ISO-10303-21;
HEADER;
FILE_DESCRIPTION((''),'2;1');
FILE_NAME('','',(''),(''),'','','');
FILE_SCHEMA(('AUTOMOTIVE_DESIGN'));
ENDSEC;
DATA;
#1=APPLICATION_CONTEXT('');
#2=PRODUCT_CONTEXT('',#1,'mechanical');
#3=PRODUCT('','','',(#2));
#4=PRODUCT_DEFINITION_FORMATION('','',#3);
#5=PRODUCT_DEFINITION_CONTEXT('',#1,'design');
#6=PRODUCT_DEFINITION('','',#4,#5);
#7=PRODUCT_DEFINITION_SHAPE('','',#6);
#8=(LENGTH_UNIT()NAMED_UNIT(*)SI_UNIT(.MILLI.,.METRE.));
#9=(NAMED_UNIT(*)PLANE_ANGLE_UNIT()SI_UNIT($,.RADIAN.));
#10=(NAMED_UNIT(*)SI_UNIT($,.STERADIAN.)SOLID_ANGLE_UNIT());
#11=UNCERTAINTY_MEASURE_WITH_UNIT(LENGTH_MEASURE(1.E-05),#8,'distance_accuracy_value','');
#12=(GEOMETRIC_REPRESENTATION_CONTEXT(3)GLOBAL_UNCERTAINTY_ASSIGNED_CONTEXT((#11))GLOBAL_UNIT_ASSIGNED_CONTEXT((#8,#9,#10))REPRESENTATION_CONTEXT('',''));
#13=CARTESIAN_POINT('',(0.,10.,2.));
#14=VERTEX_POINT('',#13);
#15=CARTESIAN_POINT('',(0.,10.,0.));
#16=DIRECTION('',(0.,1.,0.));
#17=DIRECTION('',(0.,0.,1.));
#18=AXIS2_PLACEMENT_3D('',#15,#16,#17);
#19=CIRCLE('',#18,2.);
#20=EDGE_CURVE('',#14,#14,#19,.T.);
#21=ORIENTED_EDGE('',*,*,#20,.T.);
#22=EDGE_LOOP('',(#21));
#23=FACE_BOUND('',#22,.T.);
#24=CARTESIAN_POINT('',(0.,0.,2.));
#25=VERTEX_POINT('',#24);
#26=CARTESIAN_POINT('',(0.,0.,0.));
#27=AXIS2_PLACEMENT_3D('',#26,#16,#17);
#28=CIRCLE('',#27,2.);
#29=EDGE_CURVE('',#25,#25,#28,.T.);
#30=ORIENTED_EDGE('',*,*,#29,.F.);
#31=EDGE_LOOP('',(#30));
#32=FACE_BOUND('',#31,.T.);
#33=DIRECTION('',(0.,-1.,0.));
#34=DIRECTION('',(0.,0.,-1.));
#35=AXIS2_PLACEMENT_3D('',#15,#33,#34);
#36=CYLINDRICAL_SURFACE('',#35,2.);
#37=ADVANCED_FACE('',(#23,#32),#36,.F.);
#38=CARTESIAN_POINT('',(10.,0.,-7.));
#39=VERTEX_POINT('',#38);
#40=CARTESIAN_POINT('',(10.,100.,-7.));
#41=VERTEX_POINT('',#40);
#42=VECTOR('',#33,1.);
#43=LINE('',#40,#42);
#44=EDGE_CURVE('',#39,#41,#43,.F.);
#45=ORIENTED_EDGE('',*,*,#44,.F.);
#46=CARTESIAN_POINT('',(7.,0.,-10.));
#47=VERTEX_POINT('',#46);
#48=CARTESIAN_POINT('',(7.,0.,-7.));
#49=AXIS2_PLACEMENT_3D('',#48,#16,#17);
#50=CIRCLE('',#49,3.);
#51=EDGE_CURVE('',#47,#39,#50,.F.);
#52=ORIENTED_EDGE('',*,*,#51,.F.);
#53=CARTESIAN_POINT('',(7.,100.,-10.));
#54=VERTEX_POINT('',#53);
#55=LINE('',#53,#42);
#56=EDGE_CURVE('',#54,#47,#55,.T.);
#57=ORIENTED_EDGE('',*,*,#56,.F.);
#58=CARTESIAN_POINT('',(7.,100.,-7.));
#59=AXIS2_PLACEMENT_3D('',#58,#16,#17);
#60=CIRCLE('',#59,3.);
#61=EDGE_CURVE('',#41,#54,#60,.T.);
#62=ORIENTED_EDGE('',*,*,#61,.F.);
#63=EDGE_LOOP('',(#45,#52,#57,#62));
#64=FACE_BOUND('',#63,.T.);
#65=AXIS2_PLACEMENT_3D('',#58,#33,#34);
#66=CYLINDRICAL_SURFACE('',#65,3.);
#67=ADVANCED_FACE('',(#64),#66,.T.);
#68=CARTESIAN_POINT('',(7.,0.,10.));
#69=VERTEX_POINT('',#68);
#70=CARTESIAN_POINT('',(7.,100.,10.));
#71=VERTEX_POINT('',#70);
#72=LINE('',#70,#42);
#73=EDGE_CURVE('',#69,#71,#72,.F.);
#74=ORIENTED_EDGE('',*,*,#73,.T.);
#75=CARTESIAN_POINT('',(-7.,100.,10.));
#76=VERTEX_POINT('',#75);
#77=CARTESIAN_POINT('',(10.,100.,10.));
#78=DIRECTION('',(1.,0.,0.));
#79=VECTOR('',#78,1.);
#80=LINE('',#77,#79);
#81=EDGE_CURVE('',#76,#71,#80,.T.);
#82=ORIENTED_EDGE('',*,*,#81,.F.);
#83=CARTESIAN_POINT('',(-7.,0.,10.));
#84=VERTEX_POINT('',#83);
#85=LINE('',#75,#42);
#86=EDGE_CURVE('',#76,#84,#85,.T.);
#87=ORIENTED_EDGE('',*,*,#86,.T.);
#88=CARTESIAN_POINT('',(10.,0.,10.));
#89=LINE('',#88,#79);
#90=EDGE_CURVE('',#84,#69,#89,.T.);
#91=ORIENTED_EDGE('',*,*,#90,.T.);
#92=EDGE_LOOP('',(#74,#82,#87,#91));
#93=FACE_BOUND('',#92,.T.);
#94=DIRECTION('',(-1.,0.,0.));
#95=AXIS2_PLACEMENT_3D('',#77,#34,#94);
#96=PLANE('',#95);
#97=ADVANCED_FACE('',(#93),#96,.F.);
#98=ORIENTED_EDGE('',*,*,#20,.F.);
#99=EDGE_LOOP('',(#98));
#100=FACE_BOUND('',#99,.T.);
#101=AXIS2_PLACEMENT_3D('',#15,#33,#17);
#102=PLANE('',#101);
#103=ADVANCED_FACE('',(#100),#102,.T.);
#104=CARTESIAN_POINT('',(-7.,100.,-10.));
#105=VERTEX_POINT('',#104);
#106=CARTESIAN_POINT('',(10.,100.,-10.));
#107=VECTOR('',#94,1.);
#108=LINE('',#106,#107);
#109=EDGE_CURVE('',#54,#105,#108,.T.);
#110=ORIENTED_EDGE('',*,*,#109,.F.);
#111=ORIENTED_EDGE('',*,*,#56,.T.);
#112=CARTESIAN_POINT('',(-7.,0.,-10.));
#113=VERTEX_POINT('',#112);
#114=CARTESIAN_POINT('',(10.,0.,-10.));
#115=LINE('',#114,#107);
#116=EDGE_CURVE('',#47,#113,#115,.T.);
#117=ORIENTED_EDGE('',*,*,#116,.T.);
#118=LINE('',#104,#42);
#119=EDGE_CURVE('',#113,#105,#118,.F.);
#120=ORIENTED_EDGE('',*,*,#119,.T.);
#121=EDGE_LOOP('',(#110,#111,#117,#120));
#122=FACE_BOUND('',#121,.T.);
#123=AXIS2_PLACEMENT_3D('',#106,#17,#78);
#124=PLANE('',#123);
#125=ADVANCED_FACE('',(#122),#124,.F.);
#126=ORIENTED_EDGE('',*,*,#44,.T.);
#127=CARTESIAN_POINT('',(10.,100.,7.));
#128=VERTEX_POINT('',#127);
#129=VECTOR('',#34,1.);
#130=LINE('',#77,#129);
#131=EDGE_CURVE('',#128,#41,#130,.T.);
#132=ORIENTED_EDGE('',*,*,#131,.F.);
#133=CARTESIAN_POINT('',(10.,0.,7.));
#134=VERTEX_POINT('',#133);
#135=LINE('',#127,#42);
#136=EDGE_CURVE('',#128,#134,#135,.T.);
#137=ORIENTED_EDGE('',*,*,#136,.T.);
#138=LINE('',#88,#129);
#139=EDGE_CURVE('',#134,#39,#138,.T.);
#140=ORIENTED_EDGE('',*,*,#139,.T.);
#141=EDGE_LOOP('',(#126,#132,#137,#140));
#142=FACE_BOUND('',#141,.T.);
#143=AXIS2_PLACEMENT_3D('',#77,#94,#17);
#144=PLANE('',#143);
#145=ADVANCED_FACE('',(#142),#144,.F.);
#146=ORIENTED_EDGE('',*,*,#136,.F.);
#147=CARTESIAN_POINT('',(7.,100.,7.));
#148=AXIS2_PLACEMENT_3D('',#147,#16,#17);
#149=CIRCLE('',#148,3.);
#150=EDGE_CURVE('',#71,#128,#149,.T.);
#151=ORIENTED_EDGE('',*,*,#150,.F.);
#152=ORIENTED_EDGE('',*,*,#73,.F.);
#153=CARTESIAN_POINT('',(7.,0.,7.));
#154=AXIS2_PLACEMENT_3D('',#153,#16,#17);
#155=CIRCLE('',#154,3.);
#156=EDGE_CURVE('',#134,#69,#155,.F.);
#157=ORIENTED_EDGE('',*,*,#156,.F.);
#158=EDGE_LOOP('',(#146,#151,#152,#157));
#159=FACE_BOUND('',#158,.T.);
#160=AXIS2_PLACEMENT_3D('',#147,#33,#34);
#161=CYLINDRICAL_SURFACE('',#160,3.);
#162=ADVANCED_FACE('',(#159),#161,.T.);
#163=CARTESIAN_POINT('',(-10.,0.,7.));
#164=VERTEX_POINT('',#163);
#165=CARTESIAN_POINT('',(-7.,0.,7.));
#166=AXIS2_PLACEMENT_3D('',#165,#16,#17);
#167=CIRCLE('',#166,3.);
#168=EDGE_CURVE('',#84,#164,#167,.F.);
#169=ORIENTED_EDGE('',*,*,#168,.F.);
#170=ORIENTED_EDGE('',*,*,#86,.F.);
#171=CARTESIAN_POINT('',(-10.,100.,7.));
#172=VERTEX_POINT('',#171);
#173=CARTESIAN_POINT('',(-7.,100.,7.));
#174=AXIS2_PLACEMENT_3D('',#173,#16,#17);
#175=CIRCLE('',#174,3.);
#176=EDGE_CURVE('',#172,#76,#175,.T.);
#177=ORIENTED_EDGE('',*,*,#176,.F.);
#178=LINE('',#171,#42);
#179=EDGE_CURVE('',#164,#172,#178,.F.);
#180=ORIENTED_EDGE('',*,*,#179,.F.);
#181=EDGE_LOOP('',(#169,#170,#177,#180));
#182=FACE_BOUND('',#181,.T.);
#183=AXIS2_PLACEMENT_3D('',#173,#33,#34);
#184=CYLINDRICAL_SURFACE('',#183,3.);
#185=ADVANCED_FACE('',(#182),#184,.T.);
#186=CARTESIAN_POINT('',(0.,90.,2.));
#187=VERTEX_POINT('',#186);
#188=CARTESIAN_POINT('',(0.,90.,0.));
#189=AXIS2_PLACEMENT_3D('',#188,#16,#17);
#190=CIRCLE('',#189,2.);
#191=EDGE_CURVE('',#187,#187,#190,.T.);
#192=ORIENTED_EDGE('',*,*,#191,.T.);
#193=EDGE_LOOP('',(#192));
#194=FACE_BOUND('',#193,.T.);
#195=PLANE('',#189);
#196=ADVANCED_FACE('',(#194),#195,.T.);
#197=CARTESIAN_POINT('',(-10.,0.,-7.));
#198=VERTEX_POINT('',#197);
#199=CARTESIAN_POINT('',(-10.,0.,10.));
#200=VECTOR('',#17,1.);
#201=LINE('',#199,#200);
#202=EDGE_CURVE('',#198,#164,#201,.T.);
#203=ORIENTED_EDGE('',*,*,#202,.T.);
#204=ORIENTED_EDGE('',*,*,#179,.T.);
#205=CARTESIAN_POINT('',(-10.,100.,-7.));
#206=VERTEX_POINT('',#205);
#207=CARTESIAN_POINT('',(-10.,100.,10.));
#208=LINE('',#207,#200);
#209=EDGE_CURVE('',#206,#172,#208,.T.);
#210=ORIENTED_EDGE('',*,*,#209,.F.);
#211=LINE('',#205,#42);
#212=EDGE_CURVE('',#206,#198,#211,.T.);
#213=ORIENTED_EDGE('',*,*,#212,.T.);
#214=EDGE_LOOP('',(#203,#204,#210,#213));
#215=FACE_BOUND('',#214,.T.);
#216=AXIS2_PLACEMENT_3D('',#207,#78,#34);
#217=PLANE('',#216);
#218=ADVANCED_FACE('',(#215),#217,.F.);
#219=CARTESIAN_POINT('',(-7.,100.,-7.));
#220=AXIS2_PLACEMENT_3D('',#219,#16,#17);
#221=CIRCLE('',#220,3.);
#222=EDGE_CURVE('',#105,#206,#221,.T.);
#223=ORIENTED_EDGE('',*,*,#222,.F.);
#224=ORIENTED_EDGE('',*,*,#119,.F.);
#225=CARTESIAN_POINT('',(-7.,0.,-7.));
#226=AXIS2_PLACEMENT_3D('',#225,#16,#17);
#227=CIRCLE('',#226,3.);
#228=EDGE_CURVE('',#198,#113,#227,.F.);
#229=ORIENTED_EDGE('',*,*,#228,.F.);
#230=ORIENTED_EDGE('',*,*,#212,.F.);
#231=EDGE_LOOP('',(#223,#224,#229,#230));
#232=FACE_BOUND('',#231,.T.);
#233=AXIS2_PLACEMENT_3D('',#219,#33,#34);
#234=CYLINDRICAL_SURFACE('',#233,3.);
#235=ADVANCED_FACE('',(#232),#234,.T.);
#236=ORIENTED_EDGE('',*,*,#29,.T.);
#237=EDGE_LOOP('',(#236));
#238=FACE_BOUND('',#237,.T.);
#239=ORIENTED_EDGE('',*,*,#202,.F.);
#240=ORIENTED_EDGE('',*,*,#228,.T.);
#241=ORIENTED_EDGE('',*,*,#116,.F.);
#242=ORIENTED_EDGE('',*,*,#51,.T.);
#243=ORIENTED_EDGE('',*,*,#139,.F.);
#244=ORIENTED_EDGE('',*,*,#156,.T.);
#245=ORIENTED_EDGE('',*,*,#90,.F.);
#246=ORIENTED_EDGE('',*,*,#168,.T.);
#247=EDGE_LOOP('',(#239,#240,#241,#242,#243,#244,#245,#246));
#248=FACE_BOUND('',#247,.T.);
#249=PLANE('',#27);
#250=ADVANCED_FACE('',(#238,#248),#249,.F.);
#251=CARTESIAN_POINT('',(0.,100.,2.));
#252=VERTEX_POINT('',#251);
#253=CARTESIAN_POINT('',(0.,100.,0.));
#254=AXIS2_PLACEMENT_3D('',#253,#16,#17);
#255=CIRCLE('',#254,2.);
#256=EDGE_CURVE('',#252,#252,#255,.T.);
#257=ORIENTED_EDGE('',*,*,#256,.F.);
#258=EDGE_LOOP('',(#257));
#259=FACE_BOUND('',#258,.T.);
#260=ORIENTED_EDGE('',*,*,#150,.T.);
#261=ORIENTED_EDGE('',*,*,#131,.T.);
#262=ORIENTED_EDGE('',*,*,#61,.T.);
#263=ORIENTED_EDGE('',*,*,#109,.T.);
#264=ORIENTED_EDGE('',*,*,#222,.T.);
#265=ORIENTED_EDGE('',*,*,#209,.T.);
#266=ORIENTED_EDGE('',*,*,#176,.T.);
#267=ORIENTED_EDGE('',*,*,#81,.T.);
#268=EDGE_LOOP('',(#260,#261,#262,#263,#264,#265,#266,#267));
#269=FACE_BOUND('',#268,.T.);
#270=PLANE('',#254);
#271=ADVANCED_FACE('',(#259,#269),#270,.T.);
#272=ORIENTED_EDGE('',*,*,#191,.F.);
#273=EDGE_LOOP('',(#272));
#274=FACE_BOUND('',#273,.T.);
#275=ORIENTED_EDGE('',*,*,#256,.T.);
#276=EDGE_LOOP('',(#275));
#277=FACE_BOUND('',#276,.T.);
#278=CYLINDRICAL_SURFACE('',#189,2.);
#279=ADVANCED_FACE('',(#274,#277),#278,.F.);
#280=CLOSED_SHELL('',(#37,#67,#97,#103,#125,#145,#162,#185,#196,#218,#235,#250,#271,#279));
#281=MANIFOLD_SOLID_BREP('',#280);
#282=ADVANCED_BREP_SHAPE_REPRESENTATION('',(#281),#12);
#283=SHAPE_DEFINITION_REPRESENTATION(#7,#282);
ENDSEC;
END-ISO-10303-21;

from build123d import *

# Parameters (mm, degrees)
SKETCH1_W           = 20
SKETCH1_H           = 20
BOSS_EXTRUDE1_DEPTH = 100
FILLET1_R           = 3
SKETCH4_R           = 2
CUT_EXTRUDE1_DEPTH  = 10


with BuildPart() as part:
    # Sketch1 → Boss-Extrude1 (new body)
    with BuildSketch(Plane(origin=(0, 0, 0), x_dir=(1, 0, 0), z_dir=(0, 1, 0))):
        Rectangle(SKETCH1_W, SKETCH1_H)
    extrude(amount=BOSS_EXTRUDE1_DEPTH)

    # Fillet1
    fillet1_edges = [part.edges().sort_by_distance(p)[0] for p in [
        (-10, 50, -10),
        (10, 50, -10),
        (10, 50, 10),
        (-10, 50, 10),
    ]]
    fillet(fillet1_edges, radius=FILLET1_R)

    # Sketch4 → Cut-Extrude1 (cut)
    with BuildSketch(Plane(origin=(0, 100, 0), x_dir=(1, 0, 0), z_dir=(0, 1, 0))):
        with Locations(Location((0, 0, 0), (0, 0, 270))):
            Circle(SKETCH4_R)
    cut_extrude1 = extrude(amount=-CUT_EXTRUDE1_DEPTH, mode=Mode.SUBTRACT)

    # Mirror1: Cut-Extrude1 across plane
    add(cut_extrude1.mirror(Plane.ZX.offset(50)), mode=Mode.SUBTRACT)


solid = part.part
